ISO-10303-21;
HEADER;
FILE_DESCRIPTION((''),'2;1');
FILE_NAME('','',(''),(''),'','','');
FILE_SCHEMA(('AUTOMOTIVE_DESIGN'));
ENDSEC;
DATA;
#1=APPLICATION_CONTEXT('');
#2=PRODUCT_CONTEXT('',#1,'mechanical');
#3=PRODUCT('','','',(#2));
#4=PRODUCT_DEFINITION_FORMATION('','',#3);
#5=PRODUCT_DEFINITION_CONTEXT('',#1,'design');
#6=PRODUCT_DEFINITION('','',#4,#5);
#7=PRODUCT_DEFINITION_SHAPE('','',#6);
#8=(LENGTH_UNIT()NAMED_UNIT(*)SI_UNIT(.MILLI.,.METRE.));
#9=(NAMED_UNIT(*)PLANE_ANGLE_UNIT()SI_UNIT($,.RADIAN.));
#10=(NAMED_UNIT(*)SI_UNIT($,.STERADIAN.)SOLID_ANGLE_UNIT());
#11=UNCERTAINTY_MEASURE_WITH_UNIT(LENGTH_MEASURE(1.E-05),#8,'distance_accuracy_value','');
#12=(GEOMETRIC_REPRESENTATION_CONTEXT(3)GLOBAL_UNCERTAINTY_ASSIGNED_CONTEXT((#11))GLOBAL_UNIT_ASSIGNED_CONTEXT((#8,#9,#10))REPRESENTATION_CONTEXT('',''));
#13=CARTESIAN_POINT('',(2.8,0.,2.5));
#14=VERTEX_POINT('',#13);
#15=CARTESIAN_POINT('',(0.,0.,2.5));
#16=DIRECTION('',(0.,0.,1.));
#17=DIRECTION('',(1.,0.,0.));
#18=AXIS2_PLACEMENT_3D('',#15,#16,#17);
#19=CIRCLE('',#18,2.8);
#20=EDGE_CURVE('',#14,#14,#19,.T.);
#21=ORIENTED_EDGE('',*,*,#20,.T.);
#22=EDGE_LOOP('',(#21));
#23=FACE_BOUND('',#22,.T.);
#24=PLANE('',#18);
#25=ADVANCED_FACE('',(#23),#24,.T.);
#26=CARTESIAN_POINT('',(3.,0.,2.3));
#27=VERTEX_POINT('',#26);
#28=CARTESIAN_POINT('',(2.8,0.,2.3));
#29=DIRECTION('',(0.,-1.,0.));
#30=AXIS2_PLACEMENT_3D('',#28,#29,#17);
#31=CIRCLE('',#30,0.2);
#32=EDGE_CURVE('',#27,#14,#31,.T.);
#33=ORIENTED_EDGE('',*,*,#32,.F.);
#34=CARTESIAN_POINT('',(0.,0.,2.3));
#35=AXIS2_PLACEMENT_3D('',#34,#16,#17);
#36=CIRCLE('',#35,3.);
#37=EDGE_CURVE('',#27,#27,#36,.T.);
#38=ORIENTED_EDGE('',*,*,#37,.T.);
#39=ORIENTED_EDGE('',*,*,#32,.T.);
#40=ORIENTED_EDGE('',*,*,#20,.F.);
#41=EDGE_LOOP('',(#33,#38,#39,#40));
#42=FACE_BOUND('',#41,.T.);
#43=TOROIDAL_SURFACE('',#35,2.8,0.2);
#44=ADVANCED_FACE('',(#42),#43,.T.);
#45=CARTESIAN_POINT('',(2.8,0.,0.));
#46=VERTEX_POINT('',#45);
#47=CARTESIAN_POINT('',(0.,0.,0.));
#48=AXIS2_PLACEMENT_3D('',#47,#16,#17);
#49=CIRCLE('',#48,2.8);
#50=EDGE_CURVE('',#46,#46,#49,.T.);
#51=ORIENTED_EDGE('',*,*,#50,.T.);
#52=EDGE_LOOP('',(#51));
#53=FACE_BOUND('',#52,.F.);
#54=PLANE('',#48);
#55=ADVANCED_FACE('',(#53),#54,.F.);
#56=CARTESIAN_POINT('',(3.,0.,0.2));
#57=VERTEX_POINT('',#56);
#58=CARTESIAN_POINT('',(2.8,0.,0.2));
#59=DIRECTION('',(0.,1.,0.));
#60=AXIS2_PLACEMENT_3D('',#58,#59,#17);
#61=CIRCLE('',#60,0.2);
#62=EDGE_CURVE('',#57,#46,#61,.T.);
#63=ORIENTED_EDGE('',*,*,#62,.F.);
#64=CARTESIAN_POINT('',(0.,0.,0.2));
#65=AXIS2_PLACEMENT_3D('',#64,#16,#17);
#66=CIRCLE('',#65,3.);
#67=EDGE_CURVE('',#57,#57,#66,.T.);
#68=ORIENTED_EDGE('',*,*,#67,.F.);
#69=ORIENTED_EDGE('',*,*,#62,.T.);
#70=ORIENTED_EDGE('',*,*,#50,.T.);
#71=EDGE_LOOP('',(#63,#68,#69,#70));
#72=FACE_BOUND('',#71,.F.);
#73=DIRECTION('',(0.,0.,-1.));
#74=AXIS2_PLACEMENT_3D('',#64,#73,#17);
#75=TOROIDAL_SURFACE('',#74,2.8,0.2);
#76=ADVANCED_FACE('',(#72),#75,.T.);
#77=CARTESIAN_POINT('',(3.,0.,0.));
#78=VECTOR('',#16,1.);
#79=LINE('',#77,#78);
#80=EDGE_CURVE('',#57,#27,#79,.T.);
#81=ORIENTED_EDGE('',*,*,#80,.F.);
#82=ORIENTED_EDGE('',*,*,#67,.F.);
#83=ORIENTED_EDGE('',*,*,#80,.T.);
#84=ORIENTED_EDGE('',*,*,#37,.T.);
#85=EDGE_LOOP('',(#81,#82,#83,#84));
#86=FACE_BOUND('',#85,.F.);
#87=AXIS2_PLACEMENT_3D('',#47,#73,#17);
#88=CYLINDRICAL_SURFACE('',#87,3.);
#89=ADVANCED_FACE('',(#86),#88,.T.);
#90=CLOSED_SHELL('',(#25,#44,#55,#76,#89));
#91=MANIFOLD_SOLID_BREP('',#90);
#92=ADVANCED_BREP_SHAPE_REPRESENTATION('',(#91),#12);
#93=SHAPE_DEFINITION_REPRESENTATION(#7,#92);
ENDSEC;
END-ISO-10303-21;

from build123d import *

# Parameters (mm, degrees)
SKETCH1_R           = 3
BOSS_EXTRUDE1_DEPTH = 2.5
FILLET1_R           = 0.2


with BuildPart() as part:
    # Sketch1 → Boss-Extrude1 (new body)
    with BuildSketch(Plane.XY):
        Circle(SKETCH1_R)
    extrude(amount=BOSS_EXTRUDE1_DEPTH)

    # Fillet1
    fillet1_edges = [part.edges().sort_by_distance(p)[0] for p in [
        (-3, 0, 0),
        (-3, 0, 2.5),
    ]]
    fillet(fillet1_edges, radius=FILLET1_R)


solid = part.part
